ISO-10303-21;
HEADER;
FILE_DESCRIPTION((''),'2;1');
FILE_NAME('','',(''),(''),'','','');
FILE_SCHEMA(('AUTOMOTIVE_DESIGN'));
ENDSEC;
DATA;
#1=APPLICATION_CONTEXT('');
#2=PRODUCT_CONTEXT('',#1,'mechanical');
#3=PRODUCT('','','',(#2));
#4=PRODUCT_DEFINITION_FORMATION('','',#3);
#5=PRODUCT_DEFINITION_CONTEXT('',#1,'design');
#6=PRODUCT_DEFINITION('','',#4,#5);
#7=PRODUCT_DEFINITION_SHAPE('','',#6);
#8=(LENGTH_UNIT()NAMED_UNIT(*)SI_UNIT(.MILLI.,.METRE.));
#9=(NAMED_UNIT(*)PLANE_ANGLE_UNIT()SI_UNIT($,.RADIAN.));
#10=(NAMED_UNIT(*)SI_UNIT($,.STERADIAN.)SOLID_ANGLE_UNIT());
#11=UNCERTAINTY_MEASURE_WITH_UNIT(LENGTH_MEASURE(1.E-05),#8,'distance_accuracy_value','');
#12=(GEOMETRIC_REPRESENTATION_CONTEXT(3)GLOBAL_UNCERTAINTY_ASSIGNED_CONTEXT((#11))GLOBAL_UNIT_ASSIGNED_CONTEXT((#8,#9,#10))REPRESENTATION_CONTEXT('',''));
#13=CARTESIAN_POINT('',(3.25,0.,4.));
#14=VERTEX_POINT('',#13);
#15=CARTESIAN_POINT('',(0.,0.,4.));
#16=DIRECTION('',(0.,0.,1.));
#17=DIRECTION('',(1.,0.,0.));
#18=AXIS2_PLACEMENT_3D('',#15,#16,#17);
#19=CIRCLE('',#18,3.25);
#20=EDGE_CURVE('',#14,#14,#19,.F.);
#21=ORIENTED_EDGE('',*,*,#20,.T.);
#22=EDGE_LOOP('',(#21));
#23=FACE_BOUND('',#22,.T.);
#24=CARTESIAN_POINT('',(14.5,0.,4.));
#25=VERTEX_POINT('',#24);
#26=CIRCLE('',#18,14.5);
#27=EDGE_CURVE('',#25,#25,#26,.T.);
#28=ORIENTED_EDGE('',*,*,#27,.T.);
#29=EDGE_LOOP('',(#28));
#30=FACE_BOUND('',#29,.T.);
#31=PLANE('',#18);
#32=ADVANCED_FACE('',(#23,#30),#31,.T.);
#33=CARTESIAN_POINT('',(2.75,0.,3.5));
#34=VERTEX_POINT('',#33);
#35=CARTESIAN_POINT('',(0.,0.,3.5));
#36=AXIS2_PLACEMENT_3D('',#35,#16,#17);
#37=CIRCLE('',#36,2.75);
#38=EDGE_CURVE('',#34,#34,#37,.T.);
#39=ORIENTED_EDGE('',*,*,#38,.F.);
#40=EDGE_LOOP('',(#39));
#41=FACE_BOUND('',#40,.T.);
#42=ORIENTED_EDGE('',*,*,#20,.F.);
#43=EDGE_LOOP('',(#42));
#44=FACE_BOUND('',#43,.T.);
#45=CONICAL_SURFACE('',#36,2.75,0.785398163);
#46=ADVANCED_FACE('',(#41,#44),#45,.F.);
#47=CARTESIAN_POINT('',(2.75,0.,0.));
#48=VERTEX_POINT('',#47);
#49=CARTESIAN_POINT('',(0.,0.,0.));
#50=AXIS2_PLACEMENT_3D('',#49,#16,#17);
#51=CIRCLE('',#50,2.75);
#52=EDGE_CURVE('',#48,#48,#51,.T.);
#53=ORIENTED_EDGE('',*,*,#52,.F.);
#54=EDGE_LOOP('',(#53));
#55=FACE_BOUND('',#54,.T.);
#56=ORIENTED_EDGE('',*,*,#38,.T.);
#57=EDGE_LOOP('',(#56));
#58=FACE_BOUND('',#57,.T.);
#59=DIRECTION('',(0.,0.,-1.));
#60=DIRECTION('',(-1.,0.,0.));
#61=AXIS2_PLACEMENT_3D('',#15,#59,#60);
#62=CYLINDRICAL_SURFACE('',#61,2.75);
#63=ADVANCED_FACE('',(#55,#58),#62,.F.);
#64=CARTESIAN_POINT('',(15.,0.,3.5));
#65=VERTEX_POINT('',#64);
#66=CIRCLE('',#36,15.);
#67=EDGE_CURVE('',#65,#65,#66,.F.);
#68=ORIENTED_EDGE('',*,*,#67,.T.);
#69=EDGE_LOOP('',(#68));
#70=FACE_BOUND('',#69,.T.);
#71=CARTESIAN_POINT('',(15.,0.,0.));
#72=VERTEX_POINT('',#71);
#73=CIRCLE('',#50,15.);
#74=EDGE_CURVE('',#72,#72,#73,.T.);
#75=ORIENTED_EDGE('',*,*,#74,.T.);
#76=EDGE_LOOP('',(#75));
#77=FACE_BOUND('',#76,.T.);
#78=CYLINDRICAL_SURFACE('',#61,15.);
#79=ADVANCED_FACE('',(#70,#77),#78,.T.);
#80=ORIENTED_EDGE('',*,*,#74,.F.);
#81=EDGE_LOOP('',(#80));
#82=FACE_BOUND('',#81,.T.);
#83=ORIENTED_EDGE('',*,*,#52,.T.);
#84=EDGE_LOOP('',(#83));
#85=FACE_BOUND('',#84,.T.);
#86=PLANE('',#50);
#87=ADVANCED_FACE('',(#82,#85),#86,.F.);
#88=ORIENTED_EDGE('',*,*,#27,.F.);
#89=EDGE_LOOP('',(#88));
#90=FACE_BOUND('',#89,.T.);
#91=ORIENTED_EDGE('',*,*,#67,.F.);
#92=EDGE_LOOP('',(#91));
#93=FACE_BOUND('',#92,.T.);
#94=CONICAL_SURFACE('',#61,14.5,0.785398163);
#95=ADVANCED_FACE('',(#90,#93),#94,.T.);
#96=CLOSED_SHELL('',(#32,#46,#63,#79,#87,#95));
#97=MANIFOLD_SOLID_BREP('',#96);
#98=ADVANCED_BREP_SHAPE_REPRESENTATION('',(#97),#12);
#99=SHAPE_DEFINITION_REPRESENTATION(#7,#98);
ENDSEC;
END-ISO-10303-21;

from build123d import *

# Parameters (mm, degrees)
SKETCH_1_R      = 15
SKETCH_1_R_2    = 2.75
EXTRUDE_1_DEPTH = 4
CHAMFER_1_SIZE  = 0.5


with BuildPart() as part:
    # 草图1 → 凸台-拉伸1 (new body)
    with BuildSketch(Plane.XY):
        Circle(SKETCH_1_R)
        Circle(SKETCH_1_R_2, mode=Mode.SUBTRACT)
    extrude(amount=EXTRUDE_1_DEPTH)

    # 倒角1
    chamfer_1_edges = [part.edges().sort_by_distance(p)[0] for p in [
        (-15, 0, 4),
        (-2.75, 0, 4),
    ]]
    chamfer(chamfer_1_edges, length=CHAMFER_1_SIZE)


solid = part.part
